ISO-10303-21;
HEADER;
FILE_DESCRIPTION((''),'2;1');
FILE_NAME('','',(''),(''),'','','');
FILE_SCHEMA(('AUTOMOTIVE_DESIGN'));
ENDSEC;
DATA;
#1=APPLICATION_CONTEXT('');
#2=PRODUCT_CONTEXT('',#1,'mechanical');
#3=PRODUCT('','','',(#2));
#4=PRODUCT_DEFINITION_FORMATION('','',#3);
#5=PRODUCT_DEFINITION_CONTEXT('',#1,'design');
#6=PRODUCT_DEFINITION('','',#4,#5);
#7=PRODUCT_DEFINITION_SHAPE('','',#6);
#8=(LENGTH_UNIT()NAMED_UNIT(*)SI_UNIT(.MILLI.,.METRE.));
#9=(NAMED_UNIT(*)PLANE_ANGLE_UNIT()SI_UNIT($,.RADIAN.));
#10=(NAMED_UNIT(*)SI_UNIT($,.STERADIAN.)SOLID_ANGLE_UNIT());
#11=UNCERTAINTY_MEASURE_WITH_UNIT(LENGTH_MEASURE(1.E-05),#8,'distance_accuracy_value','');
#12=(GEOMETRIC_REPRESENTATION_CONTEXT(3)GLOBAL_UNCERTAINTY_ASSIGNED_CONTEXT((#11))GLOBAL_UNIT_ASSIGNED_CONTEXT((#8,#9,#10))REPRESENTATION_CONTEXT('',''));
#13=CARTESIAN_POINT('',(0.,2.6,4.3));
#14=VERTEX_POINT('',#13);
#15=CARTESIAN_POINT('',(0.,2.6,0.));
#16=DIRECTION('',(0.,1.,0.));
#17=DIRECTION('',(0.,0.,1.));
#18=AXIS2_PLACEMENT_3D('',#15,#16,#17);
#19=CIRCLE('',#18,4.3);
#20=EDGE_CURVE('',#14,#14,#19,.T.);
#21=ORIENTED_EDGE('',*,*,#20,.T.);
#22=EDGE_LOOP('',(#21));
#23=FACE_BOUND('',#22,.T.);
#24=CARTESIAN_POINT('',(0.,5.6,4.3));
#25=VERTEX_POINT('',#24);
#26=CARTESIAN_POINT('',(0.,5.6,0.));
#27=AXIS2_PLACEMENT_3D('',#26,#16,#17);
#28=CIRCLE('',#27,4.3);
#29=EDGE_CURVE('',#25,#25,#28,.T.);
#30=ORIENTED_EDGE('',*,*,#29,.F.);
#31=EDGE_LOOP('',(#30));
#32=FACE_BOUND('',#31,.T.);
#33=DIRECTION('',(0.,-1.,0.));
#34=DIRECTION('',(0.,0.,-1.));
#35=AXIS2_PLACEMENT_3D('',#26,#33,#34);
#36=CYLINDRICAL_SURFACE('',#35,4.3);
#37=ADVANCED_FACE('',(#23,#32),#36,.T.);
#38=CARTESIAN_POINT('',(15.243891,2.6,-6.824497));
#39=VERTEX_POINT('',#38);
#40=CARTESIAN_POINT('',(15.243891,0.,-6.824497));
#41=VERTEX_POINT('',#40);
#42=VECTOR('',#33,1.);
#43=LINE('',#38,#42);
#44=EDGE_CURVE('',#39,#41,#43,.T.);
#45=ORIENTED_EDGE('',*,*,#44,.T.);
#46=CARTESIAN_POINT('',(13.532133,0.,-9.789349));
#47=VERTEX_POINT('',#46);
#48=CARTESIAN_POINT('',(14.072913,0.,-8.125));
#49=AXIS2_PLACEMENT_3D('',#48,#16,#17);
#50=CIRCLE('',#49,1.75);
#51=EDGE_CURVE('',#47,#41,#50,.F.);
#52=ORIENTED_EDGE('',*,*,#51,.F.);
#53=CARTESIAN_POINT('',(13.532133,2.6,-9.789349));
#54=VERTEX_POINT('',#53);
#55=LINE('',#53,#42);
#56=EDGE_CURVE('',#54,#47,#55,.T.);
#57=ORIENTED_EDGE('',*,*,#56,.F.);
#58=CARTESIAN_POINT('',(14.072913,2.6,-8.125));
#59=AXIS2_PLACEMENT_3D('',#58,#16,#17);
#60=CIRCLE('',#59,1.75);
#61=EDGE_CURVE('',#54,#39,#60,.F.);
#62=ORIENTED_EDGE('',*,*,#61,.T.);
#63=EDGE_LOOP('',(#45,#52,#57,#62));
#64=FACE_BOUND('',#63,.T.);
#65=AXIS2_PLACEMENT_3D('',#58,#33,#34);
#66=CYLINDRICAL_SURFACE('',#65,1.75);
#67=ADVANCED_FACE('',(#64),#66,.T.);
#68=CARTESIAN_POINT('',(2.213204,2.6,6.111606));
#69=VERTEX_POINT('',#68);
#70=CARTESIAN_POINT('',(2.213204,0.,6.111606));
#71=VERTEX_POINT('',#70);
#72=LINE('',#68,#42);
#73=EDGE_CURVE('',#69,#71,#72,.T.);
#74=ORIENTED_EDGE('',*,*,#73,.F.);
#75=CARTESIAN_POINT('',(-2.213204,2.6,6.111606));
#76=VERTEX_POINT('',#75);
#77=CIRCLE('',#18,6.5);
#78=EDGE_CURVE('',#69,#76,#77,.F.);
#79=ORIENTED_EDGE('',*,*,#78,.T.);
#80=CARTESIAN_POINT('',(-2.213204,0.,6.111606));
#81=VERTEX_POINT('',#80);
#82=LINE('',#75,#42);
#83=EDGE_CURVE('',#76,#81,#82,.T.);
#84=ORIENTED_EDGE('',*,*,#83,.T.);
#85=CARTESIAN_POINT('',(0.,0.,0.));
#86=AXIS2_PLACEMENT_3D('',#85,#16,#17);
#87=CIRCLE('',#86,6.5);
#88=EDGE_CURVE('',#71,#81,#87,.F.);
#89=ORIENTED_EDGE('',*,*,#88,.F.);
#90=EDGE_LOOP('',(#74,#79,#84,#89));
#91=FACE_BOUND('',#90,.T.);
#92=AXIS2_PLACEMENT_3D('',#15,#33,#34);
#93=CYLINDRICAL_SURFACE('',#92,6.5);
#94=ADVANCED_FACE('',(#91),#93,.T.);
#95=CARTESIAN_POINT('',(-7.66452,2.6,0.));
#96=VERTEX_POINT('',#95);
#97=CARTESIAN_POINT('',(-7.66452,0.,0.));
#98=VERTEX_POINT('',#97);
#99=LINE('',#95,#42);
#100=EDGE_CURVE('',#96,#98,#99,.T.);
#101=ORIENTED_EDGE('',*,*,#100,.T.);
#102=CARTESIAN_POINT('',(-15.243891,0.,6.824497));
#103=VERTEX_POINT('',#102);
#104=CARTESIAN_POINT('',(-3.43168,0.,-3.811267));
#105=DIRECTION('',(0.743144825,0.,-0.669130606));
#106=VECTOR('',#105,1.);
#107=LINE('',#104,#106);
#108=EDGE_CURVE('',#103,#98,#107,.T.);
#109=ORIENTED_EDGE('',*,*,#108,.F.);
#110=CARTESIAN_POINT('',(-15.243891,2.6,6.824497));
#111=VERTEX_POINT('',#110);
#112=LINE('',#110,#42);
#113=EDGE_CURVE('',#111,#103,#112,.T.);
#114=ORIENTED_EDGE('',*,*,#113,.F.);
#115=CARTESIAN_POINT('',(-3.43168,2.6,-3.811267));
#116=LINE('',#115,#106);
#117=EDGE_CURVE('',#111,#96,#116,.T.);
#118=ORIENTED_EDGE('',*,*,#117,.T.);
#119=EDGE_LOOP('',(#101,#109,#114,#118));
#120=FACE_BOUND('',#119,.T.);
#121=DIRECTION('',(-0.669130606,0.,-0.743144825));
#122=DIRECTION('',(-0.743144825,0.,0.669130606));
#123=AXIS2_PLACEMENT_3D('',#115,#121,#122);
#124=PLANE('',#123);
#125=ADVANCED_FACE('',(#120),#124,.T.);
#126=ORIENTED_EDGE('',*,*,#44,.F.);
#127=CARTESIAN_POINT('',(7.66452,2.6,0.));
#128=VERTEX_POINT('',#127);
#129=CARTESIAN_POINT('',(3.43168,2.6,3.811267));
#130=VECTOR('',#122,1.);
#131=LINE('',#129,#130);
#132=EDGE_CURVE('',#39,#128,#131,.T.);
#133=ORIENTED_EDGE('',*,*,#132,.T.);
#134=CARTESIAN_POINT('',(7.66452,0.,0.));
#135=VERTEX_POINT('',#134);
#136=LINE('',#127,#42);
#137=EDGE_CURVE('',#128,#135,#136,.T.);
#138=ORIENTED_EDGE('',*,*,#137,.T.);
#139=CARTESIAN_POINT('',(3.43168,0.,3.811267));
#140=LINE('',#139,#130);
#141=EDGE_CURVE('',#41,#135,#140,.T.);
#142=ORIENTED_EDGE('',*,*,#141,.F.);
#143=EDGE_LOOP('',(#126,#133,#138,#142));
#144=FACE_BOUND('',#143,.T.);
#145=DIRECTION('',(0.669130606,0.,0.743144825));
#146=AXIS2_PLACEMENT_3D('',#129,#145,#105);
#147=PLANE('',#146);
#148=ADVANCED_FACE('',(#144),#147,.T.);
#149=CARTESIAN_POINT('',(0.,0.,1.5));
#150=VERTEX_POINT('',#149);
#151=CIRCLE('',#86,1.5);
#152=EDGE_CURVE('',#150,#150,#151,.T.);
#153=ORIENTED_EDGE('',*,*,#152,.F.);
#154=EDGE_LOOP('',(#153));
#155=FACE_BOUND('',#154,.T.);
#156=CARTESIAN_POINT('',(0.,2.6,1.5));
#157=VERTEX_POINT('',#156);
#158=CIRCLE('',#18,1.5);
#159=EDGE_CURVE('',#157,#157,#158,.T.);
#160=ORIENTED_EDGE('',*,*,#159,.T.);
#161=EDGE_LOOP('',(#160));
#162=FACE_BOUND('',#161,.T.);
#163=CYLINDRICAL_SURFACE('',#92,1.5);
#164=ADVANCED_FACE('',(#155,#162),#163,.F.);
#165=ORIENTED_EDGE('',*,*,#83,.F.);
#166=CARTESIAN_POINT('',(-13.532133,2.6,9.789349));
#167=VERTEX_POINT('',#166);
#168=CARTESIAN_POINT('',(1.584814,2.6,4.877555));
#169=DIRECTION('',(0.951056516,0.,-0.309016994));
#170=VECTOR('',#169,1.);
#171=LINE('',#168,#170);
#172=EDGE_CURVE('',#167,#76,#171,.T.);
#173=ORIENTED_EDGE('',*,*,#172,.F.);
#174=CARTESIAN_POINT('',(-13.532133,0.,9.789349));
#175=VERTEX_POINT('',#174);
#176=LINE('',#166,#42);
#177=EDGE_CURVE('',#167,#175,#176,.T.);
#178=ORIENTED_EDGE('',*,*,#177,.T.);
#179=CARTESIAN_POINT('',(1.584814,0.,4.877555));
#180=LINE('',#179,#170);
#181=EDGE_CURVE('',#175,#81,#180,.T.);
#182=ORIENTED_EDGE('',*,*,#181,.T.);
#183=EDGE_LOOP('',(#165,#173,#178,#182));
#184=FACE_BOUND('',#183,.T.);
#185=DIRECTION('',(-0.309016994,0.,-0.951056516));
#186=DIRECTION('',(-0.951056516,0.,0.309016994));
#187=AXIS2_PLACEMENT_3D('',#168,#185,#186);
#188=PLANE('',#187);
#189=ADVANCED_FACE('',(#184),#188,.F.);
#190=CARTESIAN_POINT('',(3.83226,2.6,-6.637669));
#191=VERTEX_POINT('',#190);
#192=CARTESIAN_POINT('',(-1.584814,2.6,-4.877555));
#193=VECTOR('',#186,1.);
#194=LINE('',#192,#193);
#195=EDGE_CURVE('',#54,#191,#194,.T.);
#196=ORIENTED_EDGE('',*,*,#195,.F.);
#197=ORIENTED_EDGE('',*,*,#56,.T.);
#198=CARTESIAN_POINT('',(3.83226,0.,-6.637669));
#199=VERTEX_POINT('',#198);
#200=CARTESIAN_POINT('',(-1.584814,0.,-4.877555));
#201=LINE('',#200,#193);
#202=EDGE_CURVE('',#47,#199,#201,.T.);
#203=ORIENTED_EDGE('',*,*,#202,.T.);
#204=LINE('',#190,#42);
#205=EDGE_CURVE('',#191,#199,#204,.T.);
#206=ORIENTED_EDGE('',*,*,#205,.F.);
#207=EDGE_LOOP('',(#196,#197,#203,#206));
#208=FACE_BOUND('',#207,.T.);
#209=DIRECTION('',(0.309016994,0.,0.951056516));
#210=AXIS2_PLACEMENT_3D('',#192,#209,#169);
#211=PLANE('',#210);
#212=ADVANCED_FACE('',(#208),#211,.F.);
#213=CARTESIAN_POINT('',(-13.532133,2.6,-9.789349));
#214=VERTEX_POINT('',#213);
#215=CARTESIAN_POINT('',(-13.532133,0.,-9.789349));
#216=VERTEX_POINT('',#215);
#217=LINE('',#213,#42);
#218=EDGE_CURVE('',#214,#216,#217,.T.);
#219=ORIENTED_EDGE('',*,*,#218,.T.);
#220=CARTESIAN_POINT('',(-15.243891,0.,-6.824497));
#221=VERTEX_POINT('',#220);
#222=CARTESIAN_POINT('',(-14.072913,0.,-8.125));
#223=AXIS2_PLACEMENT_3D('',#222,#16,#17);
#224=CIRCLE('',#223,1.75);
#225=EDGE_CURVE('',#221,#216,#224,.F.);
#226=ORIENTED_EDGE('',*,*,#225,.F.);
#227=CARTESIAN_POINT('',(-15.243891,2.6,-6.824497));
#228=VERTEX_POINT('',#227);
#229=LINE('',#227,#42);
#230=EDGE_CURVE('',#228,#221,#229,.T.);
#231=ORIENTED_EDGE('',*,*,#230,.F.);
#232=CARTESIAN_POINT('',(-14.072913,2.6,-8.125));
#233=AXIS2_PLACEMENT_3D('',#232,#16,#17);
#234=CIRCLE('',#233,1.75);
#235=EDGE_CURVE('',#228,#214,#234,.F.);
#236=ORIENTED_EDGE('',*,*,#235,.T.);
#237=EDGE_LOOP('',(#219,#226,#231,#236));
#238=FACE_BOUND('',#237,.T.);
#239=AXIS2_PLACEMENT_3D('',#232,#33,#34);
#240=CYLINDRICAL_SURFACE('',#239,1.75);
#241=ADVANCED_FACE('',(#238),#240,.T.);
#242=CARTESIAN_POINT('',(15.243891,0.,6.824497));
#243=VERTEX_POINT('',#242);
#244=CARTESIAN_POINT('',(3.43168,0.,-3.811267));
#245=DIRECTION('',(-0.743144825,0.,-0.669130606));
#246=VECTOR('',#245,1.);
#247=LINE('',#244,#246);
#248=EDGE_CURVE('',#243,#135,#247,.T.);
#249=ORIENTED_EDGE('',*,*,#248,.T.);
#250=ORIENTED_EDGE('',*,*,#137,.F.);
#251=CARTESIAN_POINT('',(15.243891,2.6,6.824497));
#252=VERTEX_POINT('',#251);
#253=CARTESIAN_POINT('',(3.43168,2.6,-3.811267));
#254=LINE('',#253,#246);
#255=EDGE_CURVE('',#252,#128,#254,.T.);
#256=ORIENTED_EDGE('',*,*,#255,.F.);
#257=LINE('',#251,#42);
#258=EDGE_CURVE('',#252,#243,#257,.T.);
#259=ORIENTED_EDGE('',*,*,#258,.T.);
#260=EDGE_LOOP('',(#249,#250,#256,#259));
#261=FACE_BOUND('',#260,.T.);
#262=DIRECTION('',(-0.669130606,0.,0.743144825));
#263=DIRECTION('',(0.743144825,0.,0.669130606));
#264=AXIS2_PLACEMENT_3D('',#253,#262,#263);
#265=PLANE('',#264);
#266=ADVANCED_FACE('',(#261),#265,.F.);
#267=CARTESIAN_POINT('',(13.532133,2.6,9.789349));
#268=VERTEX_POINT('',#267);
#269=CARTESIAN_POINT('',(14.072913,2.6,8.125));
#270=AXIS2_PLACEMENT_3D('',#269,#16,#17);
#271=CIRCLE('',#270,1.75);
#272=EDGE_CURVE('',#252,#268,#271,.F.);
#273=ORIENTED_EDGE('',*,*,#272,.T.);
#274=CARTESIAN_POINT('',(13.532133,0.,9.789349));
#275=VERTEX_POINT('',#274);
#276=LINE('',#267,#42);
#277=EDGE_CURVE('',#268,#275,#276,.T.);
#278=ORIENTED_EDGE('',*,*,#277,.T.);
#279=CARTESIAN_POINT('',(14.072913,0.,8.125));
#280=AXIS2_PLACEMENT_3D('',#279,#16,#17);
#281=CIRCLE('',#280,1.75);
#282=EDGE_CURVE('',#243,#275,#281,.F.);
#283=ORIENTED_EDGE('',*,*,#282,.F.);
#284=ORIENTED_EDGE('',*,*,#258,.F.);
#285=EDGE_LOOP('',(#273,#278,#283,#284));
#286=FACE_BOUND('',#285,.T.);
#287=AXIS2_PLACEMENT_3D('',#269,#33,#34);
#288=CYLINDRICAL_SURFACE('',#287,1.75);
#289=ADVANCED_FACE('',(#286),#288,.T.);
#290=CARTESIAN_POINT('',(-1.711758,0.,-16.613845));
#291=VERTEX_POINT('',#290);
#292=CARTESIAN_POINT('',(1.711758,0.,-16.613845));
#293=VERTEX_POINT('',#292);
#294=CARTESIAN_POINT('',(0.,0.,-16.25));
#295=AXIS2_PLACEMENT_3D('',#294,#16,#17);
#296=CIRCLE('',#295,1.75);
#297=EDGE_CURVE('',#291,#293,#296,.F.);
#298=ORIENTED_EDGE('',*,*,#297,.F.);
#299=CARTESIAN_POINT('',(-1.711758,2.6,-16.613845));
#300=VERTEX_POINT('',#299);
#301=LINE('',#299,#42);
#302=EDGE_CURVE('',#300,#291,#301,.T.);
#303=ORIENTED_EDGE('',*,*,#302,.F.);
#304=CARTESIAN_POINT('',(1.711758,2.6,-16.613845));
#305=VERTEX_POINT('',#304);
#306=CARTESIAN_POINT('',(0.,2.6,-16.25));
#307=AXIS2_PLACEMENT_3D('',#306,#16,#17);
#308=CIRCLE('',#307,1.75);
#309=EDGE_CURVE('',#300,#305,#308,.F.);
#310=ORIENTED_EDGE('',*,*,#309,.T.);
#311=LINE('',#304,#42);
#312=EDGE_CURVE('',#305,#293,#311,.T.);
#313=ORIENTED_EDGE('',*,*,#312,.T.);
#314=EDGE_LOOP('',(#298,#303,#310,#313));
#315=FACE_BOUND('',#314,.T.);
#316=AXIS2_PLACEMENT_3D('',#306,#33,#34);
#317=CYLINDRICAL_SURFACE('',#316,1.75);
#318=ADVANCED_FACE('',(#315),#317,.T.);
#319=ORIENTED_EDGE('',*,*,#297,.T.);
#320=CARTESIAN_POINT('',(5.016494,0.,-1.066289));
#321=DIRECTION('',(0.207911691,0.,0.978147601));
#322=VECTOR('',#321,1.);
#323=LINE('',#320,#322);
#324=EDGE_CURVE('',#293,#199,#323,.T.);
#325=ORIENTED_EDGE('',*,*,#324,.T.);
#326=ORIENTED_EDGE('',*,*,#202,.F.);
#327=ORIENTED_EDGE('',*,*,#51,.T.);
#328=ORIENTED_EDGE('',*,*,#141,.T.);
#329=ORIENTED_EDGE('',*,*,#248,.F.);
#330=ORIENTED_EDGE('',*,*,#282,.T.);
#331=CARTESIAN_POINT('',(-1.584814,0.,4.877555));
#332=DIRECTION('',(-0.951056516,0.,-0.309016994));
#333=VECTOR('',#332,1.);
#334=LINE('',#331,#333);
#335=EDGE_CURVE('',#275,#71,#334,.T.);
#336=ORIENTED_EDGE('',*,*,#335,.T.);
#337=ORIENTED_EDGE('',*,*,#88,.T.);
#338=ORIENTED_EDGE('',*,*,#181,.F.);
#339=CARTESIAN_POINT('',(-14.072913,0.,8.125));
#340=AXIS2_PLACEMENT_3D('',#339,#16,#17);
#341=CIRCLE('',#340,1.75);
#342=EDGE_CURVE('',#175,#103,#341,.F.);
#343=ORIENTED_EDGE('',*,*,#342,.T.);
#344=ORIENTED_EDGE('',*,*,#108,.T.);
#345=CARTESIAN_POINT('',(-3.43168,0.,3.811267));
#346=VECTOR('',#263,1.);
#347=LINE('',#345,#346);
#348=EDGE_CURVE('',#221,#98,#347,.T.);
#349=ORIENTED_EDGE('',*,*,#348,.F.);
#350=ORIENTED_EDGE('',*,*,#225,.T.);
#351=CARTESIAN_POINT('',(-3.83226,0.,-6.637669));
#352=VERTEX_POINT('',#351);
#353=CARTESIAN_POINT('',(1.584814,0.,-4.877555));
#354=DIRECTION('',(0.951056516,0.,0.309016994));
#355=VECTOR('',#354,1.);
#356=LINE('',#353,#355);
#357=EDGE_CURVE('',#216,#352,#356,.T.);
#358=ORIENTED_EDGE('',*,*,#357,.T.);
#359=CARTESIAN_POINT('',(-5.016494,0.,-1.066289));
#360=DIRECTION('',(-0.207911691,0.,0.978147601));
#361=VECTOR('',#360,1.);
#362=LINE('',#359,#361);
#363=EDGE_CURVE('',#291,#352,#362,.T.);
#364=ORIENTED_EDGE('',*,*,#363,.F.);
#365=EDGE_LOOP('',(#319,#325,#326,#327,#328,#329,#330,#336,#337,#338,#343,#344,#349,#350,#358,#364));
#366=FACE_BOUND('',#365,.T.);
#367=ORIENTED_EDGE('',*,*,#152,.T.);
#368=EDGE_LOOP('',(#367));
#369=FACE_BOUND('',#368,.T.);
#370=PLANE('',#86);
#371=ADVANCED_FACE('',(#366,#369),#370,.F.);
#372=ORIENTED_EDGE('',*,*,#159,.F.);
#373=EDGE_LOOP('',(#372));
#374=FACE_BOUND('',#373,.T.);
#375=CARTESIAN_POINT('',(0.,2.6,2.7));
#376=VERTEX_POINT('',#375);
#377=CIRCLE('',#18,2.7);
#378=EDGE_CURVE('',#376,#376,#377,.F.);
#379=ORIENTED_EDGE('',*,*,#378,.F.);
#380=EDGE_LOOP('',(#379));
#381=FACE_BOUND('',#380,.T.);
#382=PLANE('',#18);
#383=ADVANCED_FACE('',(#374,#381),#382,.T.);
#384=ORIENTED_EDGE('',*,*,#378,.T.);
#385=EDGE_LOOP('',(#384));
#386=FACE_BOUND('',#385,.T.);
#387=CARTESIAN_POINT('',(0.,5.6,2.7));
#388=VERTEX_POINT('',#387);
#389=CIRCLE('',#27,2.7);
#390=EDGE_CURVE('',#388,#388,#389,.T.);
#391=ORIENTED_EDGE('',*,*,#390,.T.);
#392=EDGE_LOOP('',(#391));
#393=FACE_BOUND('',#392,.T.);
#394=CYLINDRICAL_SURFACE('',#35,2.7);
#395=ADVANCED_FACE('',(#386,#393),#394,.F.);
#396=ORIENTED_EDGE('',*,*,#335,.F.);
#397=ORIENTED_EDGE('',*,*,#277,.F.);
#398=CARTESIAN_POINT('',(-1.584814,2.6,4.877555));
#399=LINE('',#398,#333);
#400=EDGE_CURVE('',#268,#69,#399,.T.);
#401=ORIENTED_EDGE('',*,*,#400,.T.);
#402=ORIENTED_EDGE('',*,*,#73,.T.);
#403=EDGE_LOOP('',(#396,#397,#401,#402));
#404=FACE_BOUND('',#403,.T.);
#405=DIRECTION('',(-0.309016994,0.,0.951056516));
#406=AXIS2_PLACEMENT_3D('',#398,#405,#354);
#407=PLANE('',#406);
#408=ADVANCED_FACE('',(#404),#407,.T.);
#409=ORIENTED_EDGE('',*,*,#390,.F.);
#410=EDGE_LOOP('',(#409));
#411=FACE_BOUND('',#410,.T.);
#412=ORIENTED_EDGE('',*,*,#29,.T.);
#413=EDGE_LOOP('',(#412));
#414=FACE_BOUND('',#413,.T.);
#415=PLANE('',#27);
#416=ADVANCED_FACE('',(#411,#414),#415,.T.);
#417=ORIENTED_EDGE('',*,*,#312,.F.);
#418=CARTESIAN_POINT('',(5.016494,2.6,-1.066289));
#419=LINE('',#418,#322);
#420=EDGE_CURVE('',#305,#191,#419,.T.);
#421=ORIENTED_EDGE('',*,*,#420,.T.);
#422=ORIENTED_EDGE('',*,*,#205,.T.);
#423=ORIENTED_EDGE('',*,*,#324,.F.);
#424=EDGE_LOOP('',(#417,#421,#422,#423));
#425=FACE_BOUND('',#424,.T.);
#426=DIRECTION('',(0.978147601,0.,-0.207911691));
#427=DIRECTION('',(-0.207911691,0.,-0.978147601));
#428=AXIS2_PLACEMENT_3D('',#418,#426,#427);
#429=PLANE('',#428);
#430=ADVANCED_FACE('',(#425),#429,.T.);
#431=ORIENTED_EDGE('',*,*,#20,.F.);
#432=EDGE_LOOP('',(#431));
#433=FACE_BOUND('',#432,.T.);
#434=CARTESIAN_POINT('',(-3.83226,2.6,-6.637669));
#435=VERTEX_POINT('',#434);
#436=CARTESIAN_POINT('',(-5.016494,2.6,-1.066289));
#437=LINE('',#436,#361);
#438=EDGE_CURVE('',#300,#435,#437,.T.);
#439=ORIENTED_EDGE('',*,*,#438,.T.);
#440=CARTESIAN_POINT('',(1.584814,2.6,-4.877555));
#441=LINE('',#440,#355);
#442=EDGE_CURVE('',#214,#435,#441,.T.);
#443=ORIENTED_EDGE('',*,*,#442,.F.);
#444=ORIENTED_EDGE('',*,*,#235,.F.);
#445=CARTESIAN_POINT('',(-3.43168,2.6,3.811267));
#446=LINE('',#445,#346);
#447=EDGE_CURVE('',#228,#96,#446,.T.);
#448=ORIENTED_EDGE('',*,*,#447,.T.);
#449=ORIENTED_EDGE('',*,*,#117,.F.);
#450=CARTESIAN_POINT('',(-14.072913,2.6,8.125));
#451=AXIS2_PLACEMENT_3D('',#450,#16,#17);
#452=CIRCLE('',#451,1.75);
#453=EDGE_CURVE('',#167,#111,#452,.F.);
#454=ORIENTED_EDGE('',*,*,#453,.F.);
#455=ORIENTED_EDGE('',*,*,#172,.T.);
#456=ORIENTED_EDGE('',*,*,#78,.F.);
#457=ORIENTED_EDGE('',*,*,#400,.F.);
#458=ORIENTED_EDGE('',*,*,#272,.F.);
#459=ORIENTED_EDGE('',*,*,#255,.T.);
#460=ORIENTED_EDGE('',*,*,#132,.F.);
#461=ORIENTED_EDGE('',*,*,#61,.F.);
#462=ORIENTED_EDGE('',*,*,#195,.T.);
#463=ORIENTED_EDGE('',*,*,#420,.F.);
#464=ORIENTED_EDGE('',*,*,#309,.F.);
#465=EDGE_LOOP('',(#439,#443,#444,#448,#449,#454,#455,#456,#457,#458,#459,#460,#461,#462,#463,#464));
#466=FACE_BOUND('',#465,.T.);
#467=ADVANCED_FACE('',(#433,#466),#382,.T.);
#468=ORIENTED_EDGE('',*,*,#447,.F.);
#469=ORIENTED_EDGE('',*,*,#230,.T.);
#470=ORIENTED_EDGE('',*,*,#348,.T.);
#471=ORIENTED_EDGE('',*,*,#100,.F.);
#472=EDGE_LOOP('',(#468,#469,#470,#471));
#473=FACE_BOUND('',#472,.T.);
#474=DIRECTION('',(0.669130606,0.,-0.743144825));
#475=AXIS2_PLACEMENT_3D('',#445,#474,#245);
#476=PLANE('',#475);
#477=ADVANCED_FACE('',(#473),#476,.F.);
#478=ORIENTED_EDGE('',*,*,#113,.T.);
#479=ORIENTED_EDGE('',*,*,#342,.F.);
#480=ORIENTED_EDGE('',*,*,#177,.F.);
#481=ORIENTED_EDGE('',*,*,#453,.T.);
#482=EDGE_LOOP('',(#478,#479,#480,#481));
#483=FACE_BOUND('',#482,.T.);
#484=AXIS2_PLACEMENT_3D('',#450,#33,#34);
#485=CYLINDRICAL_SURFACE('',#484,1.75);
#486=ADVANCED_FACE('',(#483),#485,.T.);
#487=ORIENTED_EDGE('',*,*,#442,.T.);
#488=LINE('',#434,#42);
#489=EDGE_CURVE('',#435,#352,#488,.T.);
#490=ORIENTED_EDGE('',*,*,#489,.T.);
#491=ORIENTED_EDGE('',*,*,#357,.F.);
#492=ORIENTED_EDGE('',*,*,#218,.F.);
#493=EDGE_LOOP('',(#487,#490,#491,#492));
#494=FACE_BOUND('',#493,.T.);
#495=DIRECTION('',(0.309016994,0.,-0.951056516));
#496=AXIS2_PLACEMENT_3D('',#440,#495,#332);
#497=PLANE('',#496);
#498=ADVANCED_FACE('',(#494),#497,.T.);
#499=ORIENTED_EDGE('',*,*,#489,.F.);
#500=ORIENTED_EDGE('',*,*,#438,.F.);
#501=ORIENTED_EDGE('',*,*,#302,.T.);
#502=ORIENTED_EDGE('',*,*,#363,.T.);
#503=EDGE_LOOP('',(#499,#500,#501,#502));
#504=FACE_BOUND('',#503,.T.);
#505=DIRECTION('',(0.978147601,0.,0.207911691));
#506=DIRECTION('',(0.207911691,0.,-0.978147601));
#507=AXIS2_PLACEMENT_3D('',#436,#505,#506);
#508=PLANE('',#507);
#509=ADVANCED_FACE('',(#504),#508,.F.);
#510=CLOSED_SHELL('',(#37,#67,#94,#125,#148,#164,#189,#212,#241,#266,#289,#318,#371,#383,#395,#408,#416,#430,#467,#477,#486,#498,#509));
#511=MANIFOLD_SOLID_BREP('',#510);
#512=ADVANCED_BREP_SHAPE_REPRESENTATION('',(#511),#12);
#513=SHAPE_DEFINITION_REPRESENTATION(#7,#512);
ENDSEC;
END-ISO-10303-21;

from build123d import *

# Parameters (mm, degrees)
SKETCH1_R           = 1.5
BOSS_EXTRUDE1_DEPTH = 2.6
SKETCH2_R           = 4.3
SKETCH2_R_2         = 2.7
BOSS_EXTRUDE2_DEPTH = 3


with BuildPart() as part:
    # Sketch1 → Boss-Extrude1 (new body)
    with BuildSketch(Plane(origin=(0, 0, 0), x_dir=(1, 0, 0), z_dir=(0, 1, 0))):
        with BuildLine():
            Line((3.832260045, 6.637669106), (1.711758301, 16.613845459))
            ThreePointArc((1.711758301, 16.613845459), (0, 18), (-1.711758301, 16.613845459))
            Line((-1.711758301, 16.613845459), (-3.832260045, 6.637669106))
            Line((-3.832260045, 6.637669106), (-13.532133071, 9.789348904))
            ThreePointArc((-13.532133071, 9.789348904), (-15.588457268, 9), (-15.243891373, 6.824496555))
            Line((-15.243891373, 6.824496555), (-7.664520091, 0))
            Line((-7.664520091, 0), (-15.243891373, -6.824496555))
            ThreePointArc((-15.243891373, -6.824496555), (-15.588457268, -9), (-13.532133071, -9.789348904))
            Line((-13.532133071, -9.789348904), (-2.213204152, -6.111605957))
            ThreePointArc((-2.213204152, -6.111605957), (0, -6.5), (2.213204152, -6.111605957))
            Line((2.213204152, -6.111605957), (13.532133071, -9.789348904))
            ThreePointArc((13.532133071, -9.789348904), (15.588457268, -9), (15.243891373, -6.824496555))
            Line((15.243891373, -6.824496555), (7.664520091, 0))
            Line((7.664520091, 0), (15.243891373, 6.824496555))
            ThreePointArc((15.243891373, 6.824496555), (15.588457268, 9), (13.532133071, 9.789348904))
            Line((13.532133071, 9.789348904), (3.832260045, 6.637669106))
        make_face()
        with Locations(Location((0, 0, 0), (0, 0, 270))):
            Circle(SKETCH1_R, mode=Mode.SUBTRACT)
    extrude(amount=BOSS_EXTRUDE1_DEPTH)

    # Sketch2 → Boss-Extrude2 (add)
    with BuildSketch(Plane(origin=(0, 2.6, 0), x_dir=(1, 0, 0), z_dir=(0, 1, 0))):
        with Locations(Location((0, 0, 0), (0, 0, 270))):
            Circle(SKETCH2_R)
        with Locations(Location((0, 0, 0), (0, 0, 270))):
            Circle(SKETCH2_R_2, mode=Mode.SUBTRACT)
    extrude(amount=BOSS_EXTRUDE2_DEPTH)


solid = part.part
